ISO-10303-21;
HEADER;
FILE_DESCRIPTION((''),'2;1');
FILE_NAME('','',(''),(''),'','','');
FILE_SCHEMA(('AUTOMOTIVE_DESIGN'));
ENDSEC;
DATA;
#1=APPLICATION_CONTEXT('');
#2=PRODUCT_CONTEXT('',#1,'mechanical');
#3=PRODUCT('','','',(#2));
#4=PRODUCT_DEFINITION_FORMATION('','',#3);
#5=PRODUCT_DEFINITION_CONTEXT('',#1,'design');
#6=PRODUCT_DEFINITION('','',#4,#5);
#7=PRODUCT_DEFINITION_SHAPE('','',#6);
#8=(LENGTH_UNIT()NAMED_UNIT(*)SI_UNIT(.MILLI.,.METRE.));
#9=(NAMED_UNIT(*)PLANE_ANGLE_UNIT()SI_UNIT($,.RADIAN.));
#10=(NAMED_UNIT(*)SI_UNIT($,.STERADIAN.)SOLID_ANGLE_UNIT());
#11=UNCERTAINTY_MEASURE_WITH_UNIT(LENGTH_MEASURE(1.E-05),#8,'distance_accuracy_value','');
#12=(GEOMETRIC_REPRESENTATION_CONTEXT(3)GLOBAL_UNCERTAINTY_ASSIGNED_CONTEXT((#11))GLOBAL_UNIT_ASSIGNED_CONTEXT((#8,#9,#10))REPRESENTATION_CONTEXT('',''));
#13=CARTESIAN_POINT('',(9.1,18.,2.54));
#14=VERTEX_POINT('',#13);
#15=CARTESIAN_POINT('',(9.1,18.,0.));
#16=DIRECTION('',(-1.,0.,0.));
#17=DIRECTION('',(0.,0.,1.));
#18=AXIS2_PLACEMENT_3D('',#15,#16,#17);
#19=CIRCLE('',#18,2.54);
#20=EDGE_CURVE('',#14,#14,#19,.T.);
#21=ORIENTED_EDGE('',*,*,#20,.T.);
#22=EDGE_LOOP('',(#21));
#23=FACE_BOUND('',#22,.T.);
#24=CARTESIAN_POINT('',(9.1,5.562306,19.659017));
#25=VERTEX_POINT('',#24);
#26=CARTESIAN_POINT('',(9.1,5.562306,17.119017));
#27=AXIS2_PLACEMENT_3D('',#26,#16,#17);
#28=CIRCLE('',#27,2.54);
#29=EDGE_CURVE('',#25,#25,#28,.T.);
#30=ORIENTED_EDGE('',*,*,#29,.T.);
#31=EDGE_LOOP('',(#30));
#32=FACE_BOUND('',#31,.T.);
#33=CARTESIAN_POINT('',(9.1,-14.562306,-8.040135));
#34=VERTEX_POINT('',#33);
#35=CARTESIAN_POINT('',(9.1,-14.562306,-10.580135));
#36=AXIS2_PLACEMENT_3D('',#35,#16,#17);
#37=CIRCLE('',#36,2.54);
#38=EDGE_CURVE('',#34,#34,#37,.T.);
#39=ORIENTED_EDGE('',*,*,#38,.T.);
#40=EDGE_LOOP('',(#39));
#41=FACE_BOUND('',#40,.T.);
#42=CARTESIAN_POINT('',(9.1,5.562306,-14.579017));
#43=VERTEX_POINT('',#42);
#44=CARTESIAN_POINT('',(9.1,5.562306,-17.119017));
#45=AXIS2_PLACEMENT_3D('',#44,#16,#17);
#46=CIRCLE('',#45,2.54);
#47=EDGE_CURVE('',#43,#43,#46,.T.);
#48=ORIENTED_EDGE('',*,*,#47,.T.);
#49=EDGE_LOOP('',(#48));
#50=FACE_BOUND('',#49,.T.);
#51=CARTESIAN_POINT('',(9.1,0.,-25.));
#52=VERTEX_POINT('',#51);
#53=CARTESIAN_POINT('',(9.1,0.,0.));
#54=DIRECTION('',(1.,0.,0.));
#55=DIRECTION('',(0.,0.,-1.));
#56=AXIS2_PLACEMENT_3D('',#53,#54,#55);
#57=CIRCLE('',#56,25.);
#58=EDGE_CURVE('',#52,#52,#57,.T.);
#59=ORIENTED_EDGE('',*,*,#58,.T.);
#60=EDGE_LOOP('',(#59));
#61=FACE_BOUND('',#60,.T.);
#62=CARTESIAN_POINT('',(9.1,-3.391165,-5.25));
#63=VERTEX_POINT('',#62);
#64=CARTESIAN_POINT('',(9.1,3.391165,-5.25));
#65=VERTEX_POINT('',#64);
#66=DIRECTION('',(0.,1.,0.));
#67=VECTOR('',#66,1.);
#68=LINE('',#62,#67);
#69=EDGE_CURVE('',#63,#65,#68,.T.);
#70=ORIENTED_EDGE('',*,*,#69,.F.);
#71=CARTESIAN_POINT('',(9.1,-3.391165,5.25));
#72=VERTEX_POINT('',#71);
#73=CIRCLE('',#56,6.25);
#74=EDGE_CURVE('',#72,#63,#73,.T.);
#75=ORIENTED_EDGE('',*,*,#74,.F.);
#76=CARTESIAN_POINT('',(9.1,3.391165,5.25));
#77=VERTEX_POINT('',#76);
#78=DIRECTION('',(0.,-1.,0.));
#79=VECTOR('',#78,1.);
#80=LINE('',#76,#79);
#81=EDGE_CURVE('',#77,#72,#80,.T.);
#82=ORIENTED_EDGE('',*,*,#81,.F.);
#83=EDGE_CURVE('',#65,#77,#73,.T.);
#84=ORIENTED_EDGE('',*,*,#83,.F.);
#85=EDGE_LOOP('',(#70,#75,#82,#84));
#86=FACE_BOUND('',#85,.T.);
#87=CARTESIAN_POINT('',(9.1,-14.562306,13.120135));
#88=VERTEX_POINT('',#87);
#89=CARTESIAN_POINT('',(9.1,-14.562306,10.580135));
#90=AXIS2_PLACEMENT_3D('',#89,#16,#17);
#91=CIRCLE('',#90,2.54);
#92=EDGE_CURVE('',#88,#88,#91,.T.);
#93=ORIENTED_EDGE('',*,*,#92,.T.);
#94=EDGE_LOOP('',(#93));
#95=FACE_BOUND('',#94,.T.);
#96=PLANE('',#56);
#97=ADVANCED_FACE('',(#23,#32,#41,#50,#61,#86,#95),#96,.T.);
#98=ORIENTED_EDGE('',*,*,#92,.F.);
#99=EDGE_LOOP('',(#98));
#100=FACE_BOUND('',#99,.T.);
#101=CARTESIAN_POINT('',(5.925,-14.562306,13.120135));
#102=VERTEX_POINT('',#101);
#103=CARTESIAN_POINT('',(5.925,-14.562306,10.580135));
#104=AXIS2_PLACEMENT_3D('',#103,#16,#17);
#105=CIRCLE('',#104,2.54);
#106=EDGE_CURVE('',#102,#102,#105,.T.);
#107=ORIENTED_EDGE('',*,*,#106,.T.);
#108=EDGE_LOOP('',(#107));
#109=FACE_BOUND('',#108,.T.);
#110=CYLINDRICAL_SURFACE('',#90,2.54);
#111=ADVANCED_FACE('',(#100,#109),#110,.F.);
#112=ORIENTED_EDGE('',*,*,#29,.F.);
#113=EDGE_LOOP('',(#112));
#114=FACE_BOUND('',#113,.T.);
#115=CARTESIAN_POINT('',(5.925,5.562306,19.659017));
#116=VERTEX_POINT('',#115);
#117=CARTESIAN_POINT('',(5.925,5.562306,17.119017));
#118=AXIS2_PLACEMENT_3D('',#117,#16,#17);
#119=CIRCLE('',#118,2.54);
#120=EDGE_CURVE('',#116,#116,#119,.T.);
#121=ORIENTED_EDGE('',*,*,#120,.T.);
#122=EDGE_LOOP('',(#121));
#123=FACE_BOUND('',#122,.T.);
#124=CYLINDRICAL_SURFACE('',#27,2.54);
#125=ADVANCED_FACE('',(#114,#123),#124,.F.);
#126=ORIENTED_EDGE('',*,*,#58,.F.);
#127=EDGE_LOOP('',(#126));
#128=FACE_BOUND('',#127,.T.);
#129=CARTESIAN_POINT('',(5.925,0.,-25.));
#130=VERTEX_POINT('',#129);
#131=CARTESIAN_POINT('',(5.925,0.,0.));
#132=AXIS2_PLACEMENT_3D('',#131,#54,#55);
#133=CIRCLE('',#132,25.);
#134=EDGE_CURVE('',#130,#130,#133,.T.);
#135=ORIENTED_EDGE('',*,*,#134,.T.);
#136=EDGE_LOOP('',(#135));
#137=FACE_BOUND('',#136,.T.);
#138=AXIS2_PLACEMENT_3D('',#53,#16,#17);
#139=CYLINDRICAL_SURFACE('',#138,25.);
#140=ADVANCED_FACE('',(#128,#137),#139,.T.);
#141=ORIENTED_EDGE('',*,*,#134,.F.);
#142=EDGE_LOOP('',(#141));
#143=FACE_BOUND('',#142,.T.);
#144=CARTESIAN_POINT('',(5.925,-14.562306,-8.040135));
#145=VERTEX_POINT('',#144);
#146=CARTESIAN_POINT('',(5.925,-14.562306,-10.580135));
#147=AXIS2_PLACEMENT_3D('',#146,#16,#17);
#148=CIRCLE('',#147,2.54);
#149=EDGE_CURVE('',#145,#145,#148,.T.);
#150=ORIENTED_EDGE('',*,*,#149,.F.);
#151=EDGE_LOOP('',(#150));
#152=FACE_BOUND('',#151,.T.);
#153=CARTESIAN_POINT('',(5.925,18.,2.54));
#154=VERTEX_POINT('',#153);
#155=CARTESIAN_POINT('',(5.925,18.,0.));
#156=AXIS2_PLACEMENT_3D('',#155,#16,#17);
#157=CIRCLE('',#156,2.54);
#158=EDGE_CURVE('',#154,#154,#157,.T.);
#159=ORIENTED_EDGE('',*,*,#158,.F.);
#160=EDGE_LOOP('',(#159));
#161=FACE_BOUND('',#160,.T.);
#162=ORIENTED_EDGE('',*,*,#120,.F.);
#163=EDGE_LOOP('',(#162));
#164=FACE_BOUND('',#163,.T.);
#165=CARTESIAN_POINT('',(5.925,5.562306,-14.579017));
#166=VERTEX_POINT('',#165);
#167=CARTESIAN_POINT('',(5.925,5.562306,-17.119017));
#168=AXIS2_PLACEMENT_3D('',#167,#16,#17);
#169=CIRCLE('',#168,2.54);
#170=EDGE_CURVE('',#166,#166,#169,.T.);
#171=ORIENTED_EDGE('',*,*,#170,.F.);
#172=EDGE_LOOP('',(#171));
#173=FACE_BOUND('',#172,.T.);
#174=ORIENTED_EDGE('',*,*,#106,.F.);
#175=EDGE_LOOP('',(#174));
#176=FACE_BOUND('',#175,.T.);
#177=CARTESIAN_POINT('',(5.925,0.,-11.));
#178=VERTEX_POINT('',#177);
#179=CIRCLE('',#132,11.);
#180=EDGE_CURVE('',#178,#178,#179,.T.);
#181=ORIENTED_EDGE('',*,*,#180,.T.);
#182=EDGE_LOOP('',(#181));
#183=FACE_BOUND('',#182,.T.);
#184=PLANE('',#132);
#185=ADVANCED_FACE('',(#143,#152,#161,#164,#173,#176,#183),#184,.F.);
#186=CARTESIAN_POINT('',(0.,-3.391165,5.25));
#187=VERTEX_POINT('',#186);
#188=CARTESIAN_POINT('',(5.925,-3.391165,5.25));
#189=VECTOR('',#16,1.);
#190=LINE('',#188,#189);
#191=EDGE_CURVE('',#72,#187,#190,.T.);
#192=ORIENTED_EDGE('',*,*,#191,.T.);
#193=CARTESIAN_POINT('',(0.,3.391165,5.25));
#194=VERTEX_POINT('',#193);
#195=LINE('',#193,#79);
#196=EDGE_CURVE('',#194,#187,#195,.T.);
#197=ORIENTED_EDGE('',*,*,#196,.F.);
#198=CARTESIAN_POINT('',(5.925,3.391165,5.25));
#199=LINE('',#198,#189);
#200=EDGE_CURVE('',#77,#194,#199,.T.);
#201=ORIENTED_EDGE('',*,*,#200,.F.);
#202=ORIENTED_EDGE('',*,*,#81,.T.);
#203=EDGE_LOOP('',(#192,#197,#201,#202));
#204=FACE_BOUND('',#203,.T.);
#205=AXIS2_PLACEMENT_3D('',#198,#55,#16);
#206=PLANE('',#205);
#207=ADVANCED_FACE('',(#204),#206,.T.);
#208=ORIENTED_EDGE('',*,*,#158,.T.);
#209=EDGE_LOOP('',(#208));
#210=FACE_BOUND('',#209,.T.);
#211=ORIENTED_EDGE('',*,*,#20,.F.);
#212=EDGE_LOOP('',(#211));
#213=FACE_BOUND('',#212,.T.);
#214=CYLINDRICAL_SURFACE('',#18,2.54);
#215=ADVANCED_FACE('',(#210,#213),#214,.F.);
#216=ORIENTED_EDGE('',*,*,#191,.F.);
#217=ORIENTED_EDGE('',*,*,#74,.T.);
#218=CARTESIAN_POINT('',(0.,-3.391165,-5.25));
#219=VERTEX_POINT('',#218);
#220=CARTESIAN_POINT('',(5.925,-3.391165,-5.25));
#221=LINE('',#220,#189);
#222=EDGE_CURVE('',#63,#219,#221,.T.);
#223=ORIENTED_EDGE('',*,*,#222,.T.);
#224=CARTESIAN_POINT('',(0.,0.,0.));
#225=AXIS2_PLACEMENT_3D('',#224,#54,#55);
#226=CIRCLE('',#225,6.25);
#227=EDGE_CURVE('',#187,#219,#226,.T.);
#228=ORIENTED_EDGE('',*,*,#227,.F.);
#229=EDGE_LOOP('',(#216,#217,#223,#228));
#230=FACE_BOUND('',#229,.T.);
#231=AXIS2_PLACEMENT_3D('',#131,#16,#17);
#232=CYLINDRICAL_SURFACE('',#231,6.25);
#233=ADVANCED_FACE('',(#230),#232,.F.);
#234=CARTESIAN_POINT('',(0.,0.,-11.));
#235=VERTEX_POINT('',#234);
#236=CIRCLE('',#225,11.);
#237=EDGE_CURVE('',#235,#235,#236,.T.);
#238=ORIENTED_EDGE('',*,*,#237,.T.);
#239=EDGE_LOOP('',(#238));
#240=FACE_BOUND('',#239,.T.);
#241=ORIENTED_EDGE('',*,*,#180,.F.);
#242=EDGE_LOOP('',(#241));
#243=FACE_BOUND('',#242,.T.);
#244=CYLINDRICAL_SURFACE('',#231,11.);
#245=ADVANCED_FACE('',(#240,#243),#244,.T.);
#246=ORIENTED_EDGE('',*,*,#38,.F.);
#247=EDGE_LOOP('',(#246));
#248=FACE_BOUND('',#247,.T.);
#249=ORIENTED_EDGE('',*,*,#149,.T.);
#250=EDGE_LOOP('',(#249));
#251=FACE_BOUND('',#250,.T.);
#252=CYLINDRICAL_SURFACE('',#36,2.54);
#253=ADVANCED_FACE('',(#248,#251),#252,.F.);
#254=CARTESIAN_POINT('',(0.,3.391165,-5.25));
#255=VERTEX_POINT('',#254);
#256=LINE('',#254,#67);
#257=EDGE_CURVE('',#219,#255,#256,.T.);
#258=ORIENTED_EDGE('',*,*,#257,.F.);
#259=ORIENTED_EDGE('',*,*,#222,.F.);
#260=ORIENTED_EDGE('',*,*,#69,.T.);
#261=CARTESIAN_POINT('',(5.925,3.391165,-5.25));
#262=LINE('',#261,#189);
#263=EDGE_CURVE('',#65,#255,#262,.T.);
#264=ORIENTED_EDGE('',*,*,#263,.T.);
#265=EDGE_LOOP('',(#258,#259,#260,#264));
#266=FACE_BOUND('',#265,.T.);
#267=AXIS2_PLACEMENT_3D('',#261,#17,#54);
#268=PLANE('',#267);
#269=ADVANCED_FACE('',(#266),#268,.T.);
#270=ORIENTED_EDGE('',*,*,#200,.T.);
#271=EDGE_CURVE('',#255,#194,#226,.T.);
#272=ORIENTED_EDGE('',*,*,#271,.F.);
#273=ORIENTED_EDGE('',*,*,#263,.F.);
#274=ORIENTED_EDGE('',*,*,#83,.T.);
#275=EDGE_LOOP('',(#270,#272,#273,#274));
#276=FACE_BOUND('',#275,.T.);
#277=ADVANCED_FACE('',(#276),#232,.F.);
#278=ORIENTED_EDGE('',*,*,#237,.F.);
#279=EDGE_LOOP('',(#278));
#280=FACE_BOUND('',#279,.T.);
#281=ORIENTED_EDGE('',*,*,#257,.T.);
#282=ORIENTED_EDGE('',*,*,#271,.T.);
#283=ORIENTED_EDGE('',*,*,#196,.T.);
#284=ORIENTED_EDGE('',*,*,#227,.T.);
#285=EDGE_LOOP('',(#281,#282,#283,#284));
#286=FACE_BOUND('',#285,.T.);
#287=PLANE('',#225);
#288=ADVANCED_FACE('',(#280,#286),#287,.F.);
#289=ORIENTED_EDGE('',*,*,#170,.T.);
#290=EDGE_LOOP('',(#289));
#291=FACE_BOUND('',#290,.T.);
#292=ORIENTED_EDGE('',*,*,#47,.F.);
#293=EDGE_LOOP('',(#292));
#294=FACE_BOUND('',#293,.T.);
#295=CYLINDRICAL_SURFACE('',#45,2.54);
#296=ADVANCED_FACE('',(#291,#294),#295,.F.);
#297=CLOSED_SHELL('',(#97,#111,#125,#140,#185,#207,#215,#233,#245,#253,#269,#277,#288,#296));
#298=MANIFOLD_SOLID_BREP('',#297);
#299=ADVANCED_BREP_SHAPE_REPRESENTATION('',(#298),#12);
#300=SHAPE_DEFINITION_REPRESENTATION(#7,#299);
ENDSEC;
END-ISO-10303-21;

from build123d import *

# Parameters (mm, degrees)
SKETCH1_R           = 11
BOSS_EXTRUDE1_DEPTH = 5.925
SKETCH2_R           = 25
BOSS_EXTRUDE2_DEPTH = 3.175
SKETCH3_R           = 2.54
CUT_EXTRUDE1_DEPTH  = 36.848369907


with BuildPart() as part:
    # Sketch1 → Boss-Extrude1 (new body)
    with BuildSketch(Plane(origin=(0, 0, 0), x_dir=(0, 0, -1), z_dir=(1, 0, 0))):
        Circle(SKETCH1_R)
        with BuildLine():
            Line((-5.25, 3.391164992), (-5.25, -3.391164992))
            ThreePointArc((-5.25, -3.391164992), (0, -6.25), (5.25, -3.391164992))
            Line((5.25, -3.391164992), (5.25, 3.391164992))
            ThreePointArc((5.25, 3.391164992), (0, 6.25), (-5.25, 3.391164992))
        make_face(mode=Mode.SUBTRACT)
    extrude(amount=BOSS_EXTRUDE1_DEPTH)

    # Sketch2 → Boss-Extrude2 (add)
    with BuildSketch(Plane(origin=(5.925, 0, 0), x_dir=(0, 0, -1), z_dir=(1, 0, 0))):
        Circle(SKETCH2_R)
        with BuildLine():
            Line((-5.25, 3.391164992), (-5.25, -3.391164992))
            ThreePointArc((-5.25, -3.391164992), (0, -6.25), (5.25, -3.391164992))
            Line((5.25, -3.391164992), (5.25, 3.391164992))
            ThreePointArc((5.25, 3.391164992), (0, 6.25), (-5.25, 3.391164992))
        make_face(mode=Mode.SUBTRACT)
    extrude(amount=BOSS_EXTRUDE2_DEPTH)

    # Sketch3 → Cut-Extrude1 (cut, through all)
    with BuildSketch(Plane.ZY.offset(-5.925)):
        with Locations((0, 18)):
            Circle(SKETCH3_R)
        with Locations((17.119017293, 5.562305899)):
            Circle(SKETCH3_R)
        with Locations((10.580134541, -14.562305899)):
            Circle(SKETCH3_R)
        with Locations((-10.580134541, -14.562305899)):
            Circle(SKETCH3_R)
        with Locations((-17.119017293, 5.562305899)):
            Circle(SKETCH3_R)
    extrude(amount=-CUT_EXTRUDE1_DEPTH, mode=Mode.SUBTRACT)


solid = part.part
